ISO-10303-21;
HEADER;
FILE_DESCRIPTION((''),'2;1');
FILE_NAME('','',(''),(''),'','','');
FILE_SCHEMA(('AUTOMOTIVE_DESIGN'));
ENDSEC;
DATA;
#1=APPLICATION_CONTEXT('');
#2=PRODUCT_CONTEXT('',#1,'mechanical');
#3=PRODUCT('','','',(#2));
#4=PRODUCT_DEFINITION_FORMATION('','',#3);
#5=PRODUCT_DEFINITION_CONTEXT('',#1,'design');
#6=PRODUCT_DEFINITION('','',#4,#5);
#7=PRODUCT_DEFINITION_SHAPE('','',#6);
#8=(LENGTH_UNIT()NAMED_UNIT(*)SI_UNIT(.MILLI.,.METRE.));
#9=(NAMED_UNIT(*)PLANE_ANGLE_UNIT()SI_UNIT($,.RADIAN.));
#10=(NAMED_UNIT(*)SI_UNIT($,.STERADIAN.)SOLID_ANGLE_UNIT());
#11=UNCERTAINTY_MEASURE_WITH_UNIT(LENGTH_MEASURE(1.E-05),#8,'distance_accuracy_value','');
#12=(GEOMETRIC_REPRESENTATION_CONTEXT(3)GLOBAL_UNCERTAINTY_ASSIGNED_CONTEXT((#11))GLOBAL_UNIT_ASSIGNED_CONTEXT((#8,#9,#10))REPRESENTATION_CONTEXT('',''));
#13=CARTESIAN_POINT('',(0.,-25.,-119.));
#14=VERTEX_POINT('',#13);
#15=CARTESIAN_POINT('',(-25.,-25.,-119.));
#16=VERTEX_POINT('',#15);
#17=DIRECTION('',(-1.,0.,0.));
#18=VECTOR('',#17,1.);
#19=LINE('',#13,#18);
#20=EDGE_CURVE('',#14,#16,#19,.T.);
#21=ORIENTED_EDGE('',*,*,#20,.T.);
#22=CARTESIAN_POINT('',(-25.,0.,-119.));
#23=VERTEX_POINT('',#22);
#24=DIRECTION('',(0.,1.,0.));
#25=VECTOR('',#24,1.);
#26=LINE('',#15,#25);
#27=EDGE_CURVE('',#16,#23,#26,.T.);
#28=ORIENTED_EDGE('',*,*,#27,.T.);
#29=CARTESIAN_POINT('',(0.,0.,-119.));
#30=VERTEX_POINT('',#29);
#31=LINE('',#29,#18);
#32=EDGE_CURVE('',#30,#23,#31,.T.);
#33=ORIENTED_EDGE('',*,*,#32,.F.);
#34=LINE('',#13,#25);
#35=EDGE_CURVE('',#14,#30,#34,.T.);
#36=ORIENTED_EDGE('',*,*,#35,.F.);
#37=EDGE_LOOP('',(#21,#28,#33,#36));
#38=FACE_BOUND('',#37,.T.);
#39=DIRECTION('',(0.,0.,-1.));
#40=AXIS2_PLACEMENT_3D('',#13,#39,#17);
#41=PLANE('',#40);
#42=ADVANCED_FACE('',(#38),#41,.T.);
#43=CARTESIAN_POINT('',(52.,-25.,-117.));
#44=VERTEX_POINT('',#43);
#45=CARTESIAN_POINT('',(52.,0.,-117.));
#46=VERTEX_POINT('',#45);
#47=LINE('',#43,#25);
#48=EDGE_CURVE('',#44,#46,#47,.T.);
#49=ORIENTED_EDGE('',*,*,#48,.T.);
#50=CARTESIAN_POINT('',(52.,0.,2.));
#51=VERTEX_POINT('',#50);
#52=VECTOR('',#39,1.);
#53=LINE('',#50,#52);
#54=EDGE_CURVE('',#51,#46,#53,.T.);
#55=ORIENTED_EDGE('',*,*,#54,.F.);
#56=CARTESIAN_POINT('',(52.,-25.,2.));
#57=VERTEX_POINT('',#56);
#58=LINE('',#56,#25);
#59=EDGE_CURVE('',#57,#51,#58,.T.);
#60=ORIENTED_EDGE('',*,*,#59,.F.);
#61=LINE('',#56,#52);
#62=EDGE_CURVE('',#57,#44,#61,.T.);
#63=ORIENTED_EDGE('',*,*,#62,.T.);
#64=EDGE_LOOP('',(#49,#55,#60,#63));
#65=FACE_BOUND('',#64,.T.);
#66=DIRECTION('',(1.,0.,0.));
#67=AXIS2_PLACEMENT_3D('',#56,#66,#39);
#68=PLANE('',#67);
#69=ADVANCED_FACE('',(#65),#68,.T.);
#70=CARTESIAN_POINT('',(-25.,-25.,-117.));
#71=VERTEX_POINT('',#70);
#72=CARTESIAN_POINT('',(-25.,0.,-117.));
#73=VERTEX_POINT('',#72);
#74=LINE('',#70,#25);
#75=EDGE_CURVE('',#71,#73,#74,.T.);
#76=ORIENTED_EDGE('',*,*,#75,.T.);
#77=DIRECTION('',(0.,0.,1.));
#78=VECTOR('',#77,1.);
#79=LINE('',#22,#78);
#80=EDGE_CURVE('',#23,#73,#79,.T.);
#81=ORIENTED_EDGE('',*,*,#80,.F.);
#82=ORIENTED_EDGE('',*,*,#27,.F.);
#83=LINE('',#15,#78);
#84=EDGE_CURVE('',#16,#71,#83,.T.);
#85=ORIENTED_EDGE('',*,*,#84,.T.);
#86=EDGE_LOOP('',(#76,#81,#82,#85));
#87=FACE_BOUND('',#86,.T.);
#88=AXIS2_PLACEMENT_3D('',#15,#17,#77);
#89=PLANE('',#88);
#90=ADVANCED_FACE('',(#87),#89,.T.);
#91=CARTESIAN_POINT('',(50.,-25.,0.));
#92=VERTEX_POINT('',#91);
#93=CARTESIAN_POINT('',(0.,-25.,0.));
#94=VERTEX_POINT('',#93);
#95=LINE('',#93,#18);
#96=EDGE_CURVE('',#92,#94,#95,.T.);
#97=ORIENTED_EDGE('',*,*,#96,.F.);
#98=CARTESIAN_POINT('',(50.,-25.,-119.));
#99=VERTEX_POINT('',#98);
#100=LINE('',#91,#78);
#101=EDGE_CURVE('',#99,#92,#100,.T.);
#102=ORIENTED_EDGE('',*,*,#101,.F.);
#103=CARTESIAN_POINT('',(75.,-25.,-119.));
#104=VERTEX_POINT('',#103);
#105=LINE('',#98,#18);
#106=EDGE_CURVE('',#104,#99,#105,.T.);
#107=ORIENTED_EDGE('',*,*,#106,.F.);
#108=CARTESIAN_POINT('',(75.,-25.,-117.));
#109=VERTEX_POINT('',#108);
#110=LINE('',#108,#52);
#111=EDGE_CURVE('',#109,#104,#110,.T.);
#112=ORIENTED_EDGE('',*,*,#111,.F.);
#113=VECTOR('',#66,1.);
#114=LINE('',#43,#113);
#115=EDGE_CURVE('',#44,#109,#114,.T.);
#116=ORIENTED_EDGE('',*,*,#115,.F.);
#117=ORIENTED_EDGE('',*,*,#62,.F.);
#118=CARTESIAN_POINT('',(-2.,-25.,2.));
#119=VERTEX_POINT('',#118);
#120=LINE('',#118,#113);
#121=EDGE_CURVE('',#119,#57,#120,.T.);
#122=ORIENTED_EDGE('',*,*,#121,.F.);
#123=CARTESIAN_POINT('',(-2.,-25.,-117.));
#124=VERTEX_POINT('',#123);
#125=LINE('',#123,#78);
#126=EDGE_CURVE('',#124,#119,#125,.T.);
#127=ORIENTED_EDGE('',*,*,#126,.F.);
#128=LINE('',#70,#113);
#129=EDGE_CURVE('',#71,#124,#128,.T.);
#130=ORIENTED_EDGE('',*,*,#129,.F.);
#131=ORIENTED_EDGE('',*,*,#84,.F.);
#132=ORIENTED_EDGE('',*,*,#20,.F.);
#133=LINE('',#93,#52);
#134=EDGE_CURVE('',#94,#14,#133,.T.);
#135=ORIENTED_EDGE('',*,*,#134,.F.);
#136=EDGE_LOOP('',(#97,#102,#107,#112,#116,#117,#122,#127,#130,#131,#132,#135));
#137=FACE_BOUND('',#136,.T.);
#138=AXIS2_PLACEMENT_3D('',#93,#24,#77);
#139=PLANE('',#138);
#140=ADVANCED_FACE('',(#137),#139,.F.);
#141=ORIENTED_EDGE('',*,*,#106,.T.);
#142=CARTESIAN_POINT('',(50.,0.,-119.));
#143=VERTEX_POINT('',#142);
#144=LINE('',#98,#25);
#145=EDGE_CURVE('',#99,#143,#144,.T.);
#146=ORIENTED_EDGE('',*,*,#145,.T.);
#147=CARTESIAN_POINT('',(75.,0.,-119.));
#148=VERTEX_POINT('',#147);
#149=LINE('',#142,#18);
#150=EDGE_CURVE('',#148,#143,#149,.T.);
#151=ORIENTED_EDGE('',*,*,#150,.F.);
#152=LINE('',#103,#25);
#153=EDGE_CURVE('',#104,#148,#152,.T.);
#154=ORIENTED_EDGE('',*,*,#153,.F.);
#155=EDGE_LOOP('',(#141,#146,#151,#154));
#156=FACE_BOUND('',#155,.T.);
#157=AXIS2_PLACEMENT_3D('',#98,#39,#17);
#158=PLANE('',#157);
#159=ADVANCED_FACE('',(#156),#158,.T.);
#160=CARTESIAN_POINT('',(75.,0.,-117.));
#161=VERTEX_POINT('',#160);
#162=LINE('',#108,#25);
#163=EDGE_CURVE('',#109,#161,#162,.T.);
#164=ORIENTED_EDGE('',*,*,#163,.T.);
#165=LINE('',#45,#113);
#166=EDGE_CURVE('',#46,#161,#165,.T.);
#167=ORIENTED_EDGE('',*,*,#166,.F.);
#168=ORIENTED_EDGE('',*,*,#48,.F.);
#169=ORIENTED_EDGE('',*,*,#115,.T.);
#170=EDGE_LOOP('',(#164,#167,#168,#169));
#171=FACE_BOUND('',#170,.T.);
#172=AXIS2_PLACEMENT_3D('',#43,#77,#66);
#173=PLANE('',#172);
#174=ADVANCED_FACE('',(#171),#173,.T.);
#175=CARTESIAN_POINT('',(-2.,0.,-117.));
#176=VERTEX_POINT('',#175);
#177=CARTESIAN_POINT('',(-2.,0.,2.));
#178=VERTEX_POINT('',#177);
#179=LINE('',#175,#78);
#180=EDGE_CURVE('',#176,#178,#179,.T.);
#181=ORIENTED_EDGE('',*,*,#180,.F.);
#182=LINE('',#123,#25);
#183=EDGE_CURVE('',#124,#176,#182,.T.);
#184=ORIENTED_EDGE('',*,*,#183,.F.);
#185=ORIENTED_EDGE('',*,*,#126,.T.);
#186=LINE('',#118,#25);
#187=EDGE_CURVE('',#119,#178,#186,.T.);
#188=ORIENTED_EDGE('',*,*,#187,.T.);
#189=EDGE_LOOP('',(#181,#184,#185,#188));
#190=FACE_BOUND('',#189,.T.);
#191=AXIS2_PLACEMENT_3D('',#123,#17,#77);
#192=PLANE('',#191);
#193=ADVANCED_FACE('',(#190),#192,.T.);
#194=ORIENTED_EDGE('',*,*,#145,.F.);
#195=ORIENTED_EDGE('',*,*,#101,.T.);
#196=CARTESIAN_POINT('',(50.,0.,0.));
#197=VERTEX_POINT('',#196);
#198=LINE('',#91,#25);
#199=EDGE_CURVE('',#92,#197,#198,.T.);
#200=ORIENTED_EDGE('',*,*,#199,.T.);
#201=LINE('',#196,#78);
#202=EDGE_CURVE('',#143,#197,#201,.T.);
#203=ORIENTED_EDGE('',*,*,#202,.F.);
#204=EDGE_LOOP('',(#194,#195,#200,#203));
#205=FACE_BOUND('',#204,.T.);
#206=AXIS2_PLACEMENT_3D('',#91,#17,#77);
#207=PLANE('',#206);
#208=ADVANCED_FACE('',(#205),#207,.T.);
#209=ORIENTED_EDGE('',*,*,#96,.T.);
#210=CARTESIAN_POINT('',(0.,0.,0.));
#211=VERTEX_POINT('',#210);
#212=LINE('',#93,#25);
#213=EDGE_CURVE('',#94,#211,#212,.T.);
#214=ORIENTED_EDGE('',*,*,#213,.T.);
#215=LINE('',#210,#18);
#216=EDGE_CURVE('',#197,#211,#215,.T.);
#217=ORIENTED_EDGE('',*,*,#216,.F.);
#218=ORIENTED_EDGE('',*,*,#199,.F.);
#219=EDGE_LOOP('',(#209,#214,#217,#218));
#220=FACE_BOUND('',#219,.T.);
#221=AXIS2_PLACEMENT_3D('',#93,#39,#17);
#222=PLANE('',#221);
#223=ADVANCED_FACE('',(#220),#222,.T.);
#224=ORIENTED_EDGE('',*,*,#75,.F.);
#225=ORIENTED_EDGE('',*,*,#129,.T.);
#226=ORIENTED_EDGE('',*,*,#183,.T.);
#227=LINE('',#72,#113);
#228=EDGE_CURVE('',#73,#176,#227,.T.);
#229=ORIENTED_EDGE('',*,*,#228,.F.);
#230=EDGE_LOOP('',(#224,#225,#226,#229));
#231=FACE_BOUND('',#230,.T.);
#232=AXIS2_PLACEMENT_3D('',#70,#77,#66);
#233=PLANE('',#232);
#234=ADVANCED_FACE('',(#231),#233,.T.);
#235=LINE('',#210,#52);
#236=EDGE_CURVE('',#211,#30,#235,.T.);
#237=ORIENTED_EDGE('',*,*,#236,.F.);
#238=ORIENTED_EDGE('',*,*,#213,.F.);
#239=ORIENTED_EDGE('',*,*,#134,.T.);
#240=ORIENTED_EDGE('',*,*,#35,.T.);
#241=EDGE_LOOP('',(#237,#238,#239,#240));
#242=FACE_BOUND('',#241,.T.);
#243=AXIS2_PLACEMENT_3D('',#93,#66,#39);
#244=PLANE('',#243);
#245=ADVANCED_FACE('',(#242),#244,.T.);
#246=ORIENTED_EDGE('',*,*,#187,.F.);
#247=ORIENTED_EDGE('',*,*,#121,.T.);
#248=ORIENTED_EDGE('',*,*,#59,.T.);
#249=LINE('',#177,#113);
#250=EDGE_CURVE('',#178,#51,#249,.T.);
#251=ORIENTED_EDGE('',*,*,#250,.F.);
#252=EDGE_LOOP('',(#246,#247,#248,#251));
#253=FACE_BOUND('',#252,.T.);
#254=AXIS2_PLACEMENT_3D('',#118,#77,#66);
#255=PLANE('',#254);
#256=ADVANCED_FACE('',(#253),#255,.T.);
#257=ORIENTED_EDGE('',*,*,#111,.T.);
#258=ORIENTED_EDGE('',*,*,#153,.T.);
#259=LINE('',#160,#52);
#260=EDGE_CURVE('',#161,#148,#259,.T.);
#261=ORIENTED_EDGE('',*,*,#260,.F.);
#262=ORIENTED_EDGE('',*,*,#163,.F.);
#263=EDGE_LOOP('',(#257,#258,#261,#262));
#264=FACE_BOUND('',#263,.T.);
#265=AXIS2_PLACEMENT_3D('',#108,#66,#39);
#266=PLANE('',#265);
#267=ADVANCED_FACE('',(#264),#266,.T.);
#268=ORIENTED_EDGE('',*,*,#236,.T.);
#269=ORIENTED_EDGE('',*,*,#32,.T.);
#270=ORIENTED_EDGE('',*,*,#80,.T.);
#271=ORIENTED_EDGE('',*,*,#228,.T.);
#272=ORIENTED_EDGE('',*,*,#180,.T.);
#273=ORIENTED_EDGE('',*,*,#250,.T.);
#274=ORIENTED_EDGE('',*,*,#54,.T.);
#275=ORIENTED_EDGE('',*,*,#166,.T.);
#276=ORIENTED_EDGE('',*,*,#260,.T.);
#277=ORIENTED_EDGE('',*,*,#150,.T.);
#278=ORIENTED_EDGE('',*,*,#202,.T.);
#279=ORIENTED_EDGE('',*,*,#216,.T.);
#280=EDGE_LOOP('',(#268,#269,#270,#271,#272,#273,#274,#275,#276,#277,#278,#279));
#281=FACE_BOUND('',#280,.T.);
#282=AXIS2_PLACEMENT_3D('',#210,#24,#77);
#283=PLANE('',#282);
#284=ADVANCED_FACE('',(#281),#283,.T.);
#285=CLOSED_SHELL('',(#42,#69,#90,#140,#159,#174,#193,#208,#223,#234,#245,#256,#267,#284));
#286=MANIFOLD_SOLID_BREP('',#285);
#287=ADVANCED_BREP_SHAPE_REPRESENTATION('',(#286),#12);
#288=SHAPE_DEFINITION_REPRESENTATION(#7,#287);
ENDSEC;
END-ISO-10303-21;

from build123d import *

# Parameters (mm, degrees)
BOSS_EXTRUDE1_DEPTH = 25


with BuildPart() as part:
    # Sketch2 → Boss-Extrude1 (new body)
    with BuildSketch(Plane(origin=(0, 0, 0), x_dir=(1, 0, 0), z_dir=(0, 1, 0))):
        Polygon((0, 0), (0, 119), (-25, 119), (-25, 117), (-2, 117), (-2, -2), (52, -2), (52, 117), (75, 117), (75, 119), (50, 119), (50, 0), align=None)
    extrude(amount=-BOSS_EXTRUDE1_DEPTH)


solid = part.part
